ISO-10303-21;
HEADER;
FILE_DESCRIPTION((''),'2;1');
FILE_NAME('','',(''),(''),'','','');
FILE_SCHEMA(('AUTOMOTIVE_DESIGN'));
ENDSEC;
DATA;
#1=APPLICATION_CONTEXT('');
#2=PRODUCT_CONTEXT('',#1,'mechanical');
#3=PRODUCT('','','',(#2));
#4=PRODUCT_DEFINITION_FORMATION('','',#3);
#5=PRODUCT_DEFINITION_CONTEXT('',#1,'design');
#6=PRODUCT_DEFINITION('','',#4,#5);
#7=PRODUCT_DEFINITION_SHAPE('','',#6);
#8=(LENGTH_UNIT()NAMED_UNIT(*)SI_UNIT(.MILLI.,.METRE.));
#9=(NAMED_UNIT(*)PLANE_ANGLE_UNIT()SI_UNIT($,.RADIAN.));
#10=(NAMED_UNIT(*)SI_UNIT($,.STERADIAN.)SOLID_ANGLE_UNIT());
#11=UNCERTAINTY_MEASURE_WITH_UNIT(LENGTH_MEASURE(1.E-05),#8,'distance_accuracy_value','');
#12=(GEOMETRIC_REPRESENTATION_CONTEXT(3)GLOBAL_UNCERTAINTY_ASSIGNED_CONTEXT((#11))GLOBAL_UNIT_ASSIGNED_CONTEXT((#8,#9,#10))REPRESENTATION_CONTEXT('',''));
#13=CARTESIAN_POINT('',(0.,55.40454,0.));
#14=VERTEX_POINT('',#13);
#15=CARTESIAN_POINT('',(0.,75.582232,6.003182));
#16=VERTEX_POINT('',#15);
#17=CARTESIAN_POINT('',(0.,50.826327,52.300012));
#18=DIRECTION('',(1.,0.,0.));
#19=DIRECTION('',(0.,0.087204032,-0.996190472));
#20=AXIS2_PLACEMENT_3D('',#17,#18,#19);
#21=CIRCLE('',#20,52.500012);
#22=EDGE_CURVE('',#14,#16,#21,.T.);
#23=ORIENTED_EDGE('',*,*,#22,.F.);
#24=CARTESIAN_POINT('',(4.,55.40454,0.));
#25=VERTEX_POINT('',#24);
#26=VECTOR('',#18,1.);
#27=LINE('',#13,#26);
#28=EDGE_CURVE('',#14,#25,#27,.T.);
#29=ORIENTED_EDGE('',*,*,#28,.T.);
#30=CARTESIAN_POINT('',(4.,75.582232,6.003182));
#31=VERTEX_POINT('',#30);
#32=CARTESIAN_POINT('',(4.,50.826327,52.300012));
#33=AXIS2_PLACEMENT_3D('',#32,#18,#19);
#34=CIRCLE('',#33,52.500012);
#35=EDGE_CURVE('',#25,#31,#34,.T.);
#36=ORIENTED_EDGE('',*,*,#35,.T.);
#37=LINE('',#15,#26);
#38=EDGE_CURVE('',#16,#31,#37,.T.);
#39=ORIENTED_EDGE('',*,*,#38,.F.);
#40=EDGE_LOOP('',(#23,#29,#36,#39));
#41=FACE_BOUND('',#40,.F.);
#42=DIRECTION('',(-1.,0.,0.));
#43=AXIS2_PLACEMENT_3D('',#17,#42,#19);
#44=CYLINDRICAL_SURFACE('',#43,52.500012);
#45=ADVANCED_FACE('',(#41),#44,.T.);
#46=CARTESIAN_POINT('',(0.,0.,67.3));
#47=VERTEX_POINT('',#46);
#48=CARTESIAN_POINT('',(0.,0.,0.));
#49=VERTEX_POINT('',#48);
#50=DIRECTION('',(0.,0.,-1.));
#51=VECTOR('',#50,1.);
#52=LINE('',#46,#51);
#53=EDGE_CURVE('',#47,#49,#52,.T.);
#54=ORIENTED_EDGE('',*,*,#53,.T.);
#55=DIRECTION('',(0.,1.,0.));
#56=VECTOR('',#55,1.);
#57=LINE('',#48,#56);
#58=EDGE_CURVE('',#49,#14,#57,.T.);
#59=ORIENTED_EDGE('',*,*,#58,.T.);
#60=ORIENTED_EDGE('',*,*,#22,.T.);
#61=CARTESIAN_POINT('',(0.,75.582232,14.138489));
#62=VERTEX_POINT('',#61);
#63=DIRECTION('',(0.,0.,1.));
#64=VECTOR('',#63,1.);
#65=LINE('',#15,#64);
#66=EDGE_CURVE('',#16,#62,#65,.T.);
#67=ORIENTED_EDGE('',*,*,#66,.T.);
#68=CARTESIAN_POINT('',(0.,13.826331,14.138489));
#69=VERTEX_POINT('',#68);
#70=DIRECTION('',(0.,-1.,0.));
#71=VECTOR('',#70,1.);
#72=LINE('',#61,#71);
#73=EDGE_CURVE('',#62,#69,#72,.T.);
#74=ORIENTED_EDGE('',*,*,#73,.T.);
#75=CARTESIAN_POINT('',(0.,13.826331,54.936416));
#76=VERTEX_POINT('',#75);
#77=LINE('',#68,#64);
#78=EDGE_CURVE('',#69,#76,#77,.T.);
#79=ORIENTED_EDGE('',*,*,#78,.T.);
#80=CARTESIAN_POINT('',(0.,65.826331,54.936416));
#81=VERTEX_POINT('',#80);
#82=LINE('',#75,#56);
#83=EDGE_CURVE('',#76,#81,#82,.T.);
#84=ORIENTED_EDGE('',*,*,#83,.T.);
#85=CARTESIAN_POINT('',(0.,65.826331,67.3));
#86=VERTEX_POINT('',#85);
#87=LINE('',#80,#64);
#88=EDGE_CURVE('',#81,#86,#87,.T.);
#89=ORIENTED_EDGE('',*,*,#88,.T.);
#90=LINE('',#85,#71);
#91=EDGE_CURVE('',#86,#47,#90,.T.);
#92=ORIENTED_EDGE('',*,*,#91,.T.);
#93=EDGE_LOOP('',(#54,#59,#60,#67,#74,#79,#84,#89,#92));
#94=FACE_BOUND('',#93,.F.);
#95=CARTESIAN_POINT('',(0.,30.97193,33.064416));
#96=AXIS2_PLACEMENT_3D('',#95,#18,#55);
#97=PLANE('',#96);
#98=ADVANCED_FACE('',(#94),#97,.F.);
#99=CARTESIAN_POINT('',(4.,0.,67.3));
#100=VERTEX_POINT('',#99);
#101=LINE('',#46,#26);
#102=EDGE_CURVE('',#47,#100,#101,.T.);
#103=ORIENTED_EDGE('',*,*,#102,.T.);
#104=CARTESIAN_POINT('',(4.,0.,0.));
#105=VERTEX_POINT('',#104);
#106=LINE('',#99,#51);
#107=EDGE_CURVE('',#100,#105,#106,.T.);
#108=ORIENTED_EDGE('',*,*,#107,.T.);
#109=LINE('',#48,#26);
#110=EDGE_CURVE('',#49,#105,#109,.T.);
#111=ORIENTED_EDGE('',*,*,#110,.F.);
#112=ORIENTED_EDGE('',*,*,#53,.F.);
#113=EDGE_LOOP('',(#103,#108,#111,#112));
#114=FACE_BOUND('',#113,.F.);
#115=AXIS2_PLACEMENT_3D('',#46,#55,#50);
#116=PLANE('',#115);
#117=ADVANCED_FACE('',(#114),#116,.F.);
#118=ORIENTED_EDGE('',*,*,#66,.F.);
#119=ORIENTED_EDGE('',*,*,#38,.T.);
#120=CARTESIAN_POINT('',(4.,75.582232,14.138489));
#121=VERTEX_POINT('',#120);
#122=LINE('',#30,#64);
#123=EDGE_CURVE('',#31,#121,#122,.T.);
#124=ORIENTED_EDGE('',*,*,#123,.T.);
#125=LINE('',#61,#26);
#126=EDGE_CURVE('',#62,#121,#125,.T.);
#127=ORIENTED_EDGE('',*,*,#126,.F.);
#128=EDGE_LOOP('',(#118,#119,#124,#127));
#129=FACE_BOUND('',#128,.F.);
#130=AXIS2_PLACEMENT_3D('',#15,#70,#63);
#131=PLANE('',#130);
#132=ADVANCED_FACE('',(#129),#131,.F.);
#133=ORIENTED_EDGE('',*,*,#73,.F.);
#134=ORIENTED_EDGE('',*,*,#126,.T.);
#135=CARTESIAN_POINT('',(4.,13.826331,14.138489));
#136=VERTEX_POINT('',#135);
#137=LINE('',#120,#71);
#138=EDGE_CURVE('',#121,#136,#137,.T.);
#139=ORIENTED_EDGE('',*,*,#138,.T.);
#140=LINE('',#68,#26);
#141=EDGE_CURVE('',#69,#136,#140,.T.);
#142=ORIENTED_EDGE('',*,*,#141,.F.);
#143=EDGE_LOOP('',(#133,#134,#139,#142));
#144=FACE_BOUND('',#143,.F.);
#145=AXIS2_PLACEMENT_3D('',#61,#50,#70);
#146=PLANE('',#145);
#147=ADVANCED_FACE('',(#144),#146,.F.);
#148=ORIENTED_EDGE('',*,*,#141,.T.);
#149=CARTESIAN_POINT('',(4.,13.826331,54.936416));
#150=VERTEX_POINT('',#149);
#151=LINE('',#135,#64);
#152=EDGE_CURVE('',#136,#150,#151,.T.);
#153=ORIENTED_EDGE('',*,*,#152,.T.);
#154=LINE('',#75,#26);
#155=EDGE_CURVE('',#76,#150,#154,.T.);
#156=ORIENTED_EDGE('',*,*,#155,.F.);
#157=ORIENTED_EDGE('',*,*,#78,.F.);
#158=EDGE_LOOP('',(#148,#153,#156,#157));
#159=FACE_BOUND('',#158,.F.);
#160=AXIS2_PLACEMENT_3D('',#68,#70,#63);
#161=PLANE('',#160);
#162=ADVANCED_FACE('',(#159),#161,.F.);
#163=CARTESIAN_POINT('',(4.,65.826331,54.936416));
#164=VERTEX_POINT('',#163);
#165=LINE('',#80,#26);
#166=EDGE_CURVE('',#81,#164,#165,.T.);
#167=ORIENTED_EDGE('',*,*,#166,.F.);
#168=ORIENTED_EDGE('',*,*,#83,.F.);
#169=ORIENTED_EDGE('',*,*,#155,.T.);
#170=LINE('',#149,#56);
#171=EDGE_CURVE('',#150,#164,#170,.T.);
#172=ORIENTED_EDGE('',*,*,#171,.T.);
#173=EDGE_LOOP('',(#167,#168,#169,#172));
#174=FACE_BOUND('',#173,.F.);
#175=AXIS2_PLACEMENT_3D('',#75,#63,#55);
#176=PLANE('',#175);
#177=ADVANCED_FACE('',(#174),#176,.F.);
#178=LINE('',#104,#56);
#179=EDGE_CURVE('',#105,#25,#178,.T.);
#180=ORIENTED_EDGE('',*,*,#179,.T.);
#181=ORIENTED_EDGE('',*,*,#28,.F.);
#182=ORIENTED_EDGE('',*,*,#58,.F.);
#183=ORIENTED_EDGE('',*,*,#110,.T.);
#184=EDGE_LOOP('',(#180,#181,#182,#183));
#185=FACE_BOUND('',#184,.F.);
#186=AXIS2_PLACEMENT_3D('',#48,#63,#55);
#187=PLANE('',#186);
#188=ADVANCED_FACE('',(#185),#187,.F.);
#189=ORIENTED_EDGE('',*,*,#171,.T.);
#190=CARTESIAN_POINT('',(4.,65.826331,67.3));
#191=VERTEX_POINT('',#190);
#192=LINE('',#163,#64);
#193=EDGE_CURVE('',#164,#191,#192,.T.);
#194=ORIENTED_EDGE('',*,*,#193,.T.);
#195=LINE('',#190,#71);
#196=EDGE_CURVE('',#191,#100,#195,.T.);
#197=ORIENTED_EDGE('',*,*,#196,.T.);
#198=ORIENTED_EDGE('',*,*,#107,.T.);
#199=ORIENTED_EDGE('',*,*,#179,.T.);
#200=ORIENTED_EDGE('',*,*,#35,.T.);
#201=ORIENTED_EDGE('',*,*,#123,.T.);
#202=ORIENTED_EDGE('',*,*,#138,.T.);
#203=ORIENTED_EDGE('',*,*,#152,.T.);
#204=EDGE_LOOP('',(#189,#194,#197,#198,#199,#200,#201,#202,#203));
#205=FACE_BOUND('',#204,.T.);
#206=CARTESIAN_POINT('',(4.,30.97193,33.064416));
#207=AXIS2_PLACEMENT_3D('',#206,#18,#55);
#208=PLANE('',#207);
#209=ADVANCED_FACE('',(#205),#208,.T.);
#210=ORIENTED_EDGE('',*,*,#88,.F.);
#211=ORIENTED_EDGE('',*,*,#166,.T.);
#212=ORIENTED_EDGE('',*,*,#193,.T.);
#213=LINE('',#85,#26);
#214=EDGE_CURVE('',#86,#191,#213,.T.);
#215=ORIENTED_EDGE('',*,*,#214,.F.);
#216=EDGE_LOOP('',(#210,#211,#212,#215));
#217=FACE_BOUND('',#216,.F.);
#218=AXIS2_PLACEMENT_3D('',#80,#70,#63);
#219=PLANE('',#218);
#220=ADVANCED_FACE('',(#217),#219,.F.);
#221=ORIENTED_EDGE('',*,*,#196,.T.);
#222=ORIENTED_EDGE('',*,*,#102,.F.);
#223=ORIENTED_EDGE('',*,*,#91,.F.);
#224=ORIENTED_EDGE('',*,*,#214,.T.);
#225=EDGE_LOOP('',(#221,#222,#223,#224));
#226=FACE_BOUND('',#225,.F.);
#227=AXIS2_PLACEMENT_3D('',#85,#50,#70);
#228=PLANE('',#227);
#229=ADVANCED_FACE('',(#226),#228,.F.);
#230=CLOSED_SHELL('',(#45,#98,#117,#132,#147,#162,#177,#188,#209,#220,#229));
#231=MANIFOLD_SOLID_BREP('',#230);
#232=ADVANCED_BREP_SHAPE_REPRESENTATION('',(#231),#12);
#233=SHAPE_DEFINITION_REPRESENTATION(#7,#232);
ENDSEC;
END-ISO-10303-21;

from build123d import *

# Parameters (mm, degrees)
F1_DEPTH = 4


with BuildPart() as f1:
    # F0 (on Right) → F1 (new body)
    with BuildSketch(Plane.YZ):
        with BuildLine():
            Line((0, 67.3), (0, 0))
            Line((0, 0), (55.40454, 0))
            ThreePointArc((55.40454, 0), (65.797372, 1.979846), (75.582232, 6.003182))
            Line((75.582232, 6.003182), (75.582232, 14.138489))
            Line((75.582232, 14.138489), (13.826331, 14.138489))
            Line((13.826331, 14.138489), (13.826331, 54.936416))
            Line((13.826331, 54.936416), (65.826331, 54.936416))
            Line((65.826331, 54.936416), (65.826331, 67.3))
            Line((65.826331, 67.3), (0, 67.3))
        make_face()
    extrude(amount=F1_DEPTH)


solid = f1.part
